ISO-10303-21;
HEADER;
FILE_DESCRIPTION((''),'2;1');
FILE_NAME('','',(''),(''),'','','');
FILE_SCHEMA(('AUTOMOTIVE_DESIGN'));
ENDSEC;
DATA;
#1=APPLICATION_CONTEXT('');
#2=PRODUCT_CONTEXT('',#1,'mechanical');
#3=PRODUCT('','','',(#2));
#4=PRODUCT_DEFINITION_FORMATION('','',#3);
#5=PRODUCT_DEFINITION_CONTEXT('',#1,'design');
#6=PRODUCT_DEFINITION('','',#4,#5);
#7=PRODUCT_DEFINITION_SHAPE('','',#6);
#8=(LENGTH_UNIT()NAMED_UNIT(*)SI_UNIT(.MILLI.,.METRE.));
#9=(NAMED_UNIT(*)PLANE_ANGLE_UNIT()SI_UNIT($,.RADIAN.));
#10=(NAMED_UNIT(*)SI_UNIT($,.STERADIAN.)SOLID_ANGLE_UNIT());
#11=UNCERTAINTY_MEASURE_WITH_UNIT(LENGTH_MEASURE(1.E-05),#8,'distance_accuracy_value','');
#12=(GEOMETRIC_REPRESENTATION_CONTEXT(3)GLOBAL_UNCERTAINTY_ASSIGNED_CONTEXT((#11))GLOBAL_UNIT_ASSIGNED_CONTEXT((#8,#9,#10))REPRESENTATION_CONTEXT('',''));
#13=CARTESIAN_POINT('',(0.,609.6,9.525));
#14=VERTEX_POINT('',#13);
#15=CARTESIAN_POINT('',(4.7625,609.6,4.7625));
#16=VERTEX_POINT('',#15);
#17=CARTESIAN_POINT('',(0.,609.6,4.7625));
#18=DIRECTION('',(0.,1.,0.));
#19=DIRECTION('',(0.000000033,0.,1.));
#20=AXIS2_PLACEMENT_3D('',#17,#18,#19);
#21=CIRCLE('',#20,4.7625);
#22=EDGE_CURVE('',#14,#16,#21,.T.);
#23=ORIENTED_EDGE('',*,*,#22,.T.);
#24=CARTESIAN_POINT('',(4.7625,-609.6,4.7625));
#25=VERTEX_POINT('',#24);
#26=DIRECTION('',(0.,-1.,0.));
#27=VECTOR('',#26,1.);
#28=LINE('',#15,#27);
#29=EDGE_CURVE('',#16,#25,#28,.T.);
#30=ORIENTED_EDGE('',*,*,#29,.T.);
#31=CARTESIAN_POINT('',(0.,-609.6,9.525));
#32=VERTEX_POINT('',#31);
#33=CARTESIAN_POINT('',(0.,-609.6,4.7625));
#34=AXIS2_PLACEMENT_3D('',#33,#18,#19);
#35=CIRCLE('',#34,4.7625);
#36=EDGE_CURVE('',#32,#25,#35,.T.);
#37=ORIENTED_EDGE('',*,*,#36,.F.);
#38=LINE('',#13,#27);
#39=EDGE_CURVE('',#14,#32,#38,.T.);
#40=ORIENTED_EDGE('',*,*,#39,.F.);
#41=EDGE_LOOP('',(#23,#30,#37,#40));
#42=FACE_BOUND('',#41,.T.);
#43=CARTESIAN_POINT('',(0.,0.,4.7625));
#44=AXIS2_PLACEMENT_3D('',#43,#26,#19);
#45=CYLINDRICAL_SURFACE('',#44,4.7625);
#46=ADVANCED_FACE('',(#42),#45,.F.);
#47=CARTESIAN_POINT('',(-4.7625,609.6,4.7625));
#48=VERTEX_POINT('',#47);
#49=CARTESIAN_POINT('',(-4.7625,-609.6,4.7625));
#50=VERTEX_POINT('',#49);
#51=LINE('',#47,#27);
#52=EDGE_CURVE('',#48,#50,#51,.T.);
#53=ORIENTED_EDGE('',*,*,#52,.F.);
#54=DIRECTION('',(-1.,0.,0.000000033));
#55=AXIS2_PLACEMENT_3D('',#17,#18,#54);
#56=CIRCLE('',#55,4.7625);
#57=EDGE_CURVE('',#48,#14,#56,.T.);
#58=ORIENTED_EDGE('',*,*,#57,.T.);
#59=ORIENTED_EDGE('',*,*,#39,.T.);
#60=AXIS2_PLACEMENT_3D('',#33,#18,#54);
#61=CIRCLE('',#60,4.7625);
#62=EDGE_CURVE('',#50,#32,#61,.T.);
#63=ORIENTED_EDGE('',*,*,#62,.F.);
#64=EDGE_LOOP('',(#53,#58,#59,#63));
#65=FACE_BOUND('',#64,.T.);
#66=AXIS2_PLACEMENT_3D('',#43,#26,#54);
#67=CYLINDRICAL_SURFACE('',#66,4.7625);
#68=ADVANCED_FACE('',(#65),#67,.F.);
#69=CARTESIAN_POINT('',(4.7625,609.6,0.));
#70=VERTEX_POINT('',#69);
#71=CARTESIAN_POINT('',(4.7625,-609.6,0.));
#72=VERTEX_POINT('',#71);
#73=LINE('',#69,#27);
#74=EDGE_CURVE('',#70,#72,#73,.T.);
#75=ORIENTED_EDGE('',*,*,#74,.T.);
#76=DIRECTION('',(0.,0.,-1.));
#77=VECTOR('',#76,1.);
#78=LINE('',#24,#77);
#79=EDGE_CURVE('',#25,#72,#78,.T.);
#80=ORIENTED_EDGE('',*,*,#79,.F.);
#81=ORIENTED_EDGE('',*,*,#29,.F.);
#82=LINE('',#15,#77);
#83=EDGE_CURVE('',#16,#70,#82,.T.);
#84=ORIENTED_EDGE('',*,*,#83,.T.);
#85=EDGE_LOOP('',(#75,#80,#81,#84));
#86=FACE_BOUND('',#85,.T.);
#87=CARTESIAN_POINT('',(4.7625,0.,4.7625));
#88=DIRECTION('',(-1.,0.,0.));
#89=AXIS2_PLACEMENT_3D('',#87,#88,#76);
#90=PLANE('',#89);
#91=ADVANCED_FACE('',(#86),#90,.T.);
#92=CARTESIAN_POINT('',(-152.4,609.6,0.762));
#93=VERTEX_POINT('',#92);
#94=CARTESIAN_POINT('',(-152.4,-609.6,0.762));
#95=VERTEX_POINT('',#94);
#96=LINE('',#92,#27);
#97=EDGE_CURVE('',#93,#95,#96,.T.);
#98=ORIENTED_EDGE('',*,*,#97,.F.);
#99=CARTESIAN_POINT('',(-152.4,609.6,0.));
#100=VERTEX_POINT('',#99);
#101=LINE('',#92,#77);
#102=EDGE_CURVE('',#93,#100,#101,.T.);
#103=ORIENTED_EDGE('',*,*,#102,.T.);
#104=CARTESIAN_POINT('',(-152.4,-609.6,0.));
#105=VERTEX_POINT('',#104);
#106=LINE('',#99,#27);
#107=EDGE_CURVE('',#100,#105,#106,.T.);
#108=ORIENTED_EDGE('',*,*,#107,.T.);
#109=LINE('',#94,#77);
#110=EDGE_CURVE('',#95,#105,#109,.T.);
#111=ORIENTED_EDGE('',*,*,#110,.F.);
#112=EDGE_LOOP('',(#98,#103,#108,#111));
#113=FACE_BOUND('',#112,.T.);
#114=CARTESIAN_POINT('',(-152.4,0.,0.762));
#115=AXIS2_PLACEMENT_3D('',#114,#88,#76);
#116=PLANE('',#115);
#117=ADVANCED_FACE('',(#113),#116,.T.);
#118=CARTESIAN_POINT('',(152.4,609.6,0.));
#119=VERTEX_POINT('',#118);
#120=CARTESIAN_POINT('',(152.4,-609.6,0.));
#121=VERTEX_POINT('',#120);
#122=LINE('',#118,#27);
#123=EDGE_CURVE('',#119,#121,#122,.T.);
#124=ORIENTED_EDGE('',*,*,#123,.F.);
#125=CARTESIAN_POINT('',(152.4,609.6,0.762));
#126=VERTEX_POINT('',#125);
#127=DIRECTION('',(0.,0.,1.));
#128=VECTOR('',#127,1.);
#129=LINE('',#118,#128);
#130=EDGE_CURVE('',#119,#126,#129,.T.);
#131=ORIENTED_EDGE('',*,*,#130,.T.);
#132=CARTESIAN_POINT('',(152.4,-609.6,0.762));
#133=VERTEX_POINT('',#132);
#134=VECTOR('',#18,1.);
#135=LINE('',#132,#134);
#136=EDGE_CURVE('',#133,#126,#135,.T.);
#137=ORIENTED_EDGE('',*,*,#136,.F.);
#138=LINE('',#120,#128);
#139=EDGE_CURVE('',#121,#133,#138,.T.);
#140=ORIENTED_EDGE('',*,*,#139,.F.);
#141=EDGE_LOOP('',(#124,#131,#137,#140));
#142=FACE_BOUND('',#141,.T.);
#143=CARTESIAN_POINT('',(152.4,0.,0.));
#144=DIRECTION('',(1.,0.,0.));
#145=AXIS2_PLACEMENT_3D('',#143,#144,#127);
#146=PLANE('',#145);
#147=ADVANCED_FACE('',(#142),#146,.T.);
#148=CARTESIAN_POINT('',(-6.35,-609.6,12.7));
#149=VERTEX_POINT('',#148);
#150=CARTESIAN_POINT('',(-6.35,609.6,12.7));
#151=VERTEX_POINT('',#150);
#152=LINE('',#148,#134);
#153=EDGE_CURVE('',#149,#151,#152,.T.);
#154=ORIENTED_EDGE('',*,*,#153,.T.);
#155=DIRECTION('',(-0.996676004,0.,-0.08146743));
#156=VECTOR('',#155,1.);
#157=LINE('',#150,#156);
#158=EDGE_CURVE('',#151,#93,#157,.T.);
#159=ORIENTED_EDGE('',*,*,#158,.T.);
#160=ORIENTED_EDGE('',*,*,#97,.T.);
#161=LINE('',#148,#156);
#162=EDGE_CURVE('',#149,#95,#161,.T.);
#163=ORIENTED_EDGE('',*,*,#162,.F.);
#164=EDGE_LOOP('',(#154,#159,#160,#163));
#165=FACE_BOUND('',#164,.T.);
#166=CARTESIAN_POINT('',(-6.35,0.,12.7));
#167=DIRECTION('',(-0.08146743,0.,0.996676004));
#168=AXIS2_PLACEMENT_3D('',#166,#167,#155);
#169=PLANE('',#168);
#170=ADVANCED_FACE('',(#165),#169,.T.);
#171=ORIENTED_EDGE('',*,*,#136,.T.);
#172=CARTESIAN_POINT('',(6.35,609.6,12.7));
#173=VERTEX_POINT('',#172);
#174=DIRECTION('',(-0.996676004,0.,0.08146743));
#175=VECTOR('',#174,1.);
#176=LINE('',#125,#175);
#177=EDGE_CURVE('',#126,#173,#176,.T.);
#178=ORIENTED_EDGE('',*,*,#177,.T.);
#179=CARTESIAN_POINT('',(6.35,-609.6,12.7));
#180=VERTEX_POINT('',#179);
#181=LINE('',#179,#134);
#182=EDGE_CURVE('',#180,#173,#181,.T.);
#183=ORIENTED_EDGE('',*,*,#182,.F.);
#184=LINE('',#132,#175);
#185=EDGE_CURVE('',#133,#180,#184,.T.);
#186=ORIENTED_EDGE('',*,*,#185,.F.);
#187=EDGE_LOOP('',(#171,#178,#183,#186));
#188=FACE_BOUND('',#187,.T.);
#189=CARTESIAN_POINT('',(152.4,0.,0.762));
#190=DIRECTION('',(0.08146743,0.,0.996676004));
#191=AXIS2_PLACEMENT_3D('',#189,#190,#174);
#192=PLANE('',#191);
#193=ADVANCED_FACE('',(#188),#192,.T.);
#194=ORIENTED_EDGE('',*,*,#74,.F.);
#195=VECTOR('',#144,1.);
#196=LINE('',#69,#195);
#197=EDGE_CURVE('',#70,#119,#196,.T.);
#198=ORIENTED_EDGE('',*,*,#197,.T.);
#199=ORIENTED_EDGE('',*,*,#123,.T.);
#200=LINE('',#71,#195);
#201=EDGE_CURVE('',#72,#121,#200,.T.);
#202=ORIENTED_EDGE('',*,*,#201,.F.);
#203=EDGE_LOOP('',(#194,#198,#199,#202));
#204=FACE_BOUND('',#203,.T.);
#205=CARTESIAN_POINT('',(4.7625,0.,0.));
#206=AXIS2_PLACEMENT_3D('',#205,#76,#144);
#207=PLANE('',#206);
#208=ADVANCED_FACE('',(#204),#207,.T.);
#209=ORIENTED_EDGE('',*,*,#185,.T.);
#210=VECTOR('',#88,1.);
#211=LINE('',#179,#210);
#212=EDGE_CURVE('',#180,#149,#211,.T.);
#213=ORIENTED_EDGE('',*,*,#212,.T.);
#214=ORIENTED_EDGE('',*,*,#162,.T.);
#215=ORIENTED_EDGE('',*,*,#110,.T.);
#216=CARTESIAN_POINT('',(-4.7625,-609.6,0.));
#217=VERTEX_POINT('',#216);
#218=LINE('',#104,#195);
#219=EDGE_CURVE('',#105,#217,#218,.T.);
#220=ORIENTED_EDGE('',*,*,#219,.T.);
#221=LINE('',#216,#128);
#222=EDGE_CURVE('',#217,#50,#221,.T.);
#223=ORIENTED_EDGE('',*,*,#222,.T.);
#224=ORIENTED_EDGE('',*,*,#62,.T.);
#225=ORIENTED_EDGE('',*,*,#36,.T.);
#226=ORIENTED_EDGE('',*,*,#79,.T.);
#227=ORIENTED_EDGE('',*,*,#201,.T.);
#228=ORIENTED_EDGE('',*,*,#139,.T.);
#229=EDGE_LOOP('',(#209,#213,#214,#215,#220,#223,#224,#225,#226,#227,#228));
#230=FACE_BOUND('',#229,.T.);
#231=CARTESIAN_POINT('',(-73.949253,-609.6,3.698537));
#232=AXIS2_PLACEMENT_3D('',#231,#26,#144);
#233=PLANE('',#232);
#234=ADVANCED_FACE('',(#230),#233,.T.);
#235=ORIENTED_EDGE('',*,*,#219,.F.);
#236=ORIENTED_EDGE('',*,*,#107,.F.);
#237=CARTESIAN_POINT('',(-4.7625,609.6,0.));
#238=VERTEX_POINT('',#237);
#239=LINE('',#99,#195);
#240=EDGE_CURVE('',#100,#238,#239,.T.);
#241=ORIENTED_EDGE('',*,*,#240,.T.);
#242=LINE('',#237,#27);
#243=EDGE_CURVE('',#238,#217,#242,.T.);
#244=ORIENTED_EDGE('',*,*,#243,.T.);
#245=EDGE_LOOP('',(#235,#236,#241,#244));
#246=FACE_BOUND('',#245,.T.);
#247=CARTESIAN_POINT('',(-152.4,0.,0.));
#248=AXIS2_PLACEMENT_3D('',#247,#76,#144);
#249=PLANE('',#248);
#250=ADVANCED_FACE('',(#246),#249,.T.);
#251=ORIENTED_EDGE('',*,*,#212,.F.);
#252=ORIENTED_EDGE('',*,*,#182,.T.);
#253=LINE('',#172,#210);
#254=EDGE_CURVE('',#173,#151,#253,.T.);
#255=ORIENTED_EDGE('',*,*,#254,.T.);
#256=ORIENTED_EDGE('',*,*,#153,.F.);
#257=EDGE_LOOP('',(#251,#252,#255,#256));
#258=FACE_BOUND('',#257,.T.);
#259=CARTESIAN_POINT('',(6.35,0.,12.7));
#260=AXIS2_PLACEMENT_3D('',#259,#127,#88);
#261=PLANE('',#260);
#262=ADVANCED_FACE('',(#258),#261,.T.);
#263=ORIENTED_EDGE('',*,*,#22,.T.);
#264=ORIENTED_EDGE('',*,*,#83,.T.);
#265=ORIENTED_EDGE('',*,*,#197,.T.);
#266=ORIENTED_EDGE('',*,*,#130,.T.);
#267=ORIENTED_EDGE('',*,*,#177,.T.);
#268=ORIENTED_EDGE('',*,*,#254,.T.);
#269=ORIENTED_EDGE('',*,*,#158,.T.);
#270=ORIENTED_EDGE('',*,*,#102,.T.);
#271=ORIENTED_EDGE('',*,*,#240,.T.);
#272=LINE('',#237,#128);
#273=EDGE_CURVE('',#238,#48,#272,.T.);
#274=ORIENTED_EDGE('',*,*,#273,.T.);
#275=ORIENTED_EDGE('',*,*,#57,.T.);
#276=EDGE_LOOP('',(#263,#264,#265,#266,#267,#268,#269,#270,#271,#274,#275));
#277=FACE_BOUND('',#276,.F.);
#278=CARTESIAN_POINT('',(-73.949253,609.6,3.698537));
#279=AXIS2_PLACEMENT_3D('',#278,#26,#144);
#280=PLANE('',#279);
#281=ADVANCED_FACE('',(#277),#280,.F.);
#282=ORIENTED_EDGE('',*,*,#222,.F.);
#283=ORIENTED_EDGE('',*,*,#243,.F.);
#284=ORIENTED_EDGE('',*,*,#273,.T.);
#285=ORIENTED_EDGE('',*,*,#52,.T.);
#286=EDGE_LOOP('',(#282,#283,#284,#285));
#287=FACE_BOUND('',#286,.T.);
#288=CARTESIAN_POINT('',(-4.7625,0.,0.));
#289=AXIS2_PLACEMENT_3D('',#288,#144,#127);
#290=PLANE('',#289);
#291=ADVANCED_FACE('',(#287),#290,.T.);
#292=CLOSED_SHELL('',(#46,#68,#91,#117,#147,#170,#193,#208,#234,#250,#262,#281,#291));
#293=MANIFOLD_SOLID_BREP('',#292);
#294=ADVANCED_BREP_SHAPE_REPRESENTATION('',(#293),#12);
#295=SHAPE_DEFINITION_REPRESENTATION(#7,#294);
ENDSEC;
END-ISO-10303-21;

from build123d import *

# Parameters (mm, degrees)
F1_DEPTH = 609.6


with BuildPart() as f1:
    # F0 (on Front) → F1 (new body, symmetric)
    with BuildSketch(Plane.XZ):
        with BuildLine():
            Line((0, 9.525), (0, 12.7))
            Line((0, 12.7), (-6.35, 12.7))
            Line((-6.35, 12.7), (-152.4, 0.762))
            Line((-152.4, 0.762), (-152.4, 0))
            Line((-152.4, 0), (-4.7625, 0))
            Line((-4.7625, 0), (-4.7625, 4.7625))
            ThreePointArc((-4.7625, 4.7625), (-3.367596, 8.130096), (0, 9.525))
        make_face()
        with BuildLine():
            Line((6.35, 12.7), (0, 12.7))
            Line((0, 12.7), (0, 9.525))
            ThreePointArc((0, 9.525), (3.367596, 8.130096), (4.7625, 4.7625))
            Line((4.7625, 4.7625), (4.7625, 0))
            Line((4.7625, 0), (152.4, 0))
            Line((152.4, 0), (152.4, 0.762))
            Line((152.4, 0.762), (6.35, 12.7))
        make_face()
    extrude(amount=F1_DEPTH, both=True)


solid = f1.part
